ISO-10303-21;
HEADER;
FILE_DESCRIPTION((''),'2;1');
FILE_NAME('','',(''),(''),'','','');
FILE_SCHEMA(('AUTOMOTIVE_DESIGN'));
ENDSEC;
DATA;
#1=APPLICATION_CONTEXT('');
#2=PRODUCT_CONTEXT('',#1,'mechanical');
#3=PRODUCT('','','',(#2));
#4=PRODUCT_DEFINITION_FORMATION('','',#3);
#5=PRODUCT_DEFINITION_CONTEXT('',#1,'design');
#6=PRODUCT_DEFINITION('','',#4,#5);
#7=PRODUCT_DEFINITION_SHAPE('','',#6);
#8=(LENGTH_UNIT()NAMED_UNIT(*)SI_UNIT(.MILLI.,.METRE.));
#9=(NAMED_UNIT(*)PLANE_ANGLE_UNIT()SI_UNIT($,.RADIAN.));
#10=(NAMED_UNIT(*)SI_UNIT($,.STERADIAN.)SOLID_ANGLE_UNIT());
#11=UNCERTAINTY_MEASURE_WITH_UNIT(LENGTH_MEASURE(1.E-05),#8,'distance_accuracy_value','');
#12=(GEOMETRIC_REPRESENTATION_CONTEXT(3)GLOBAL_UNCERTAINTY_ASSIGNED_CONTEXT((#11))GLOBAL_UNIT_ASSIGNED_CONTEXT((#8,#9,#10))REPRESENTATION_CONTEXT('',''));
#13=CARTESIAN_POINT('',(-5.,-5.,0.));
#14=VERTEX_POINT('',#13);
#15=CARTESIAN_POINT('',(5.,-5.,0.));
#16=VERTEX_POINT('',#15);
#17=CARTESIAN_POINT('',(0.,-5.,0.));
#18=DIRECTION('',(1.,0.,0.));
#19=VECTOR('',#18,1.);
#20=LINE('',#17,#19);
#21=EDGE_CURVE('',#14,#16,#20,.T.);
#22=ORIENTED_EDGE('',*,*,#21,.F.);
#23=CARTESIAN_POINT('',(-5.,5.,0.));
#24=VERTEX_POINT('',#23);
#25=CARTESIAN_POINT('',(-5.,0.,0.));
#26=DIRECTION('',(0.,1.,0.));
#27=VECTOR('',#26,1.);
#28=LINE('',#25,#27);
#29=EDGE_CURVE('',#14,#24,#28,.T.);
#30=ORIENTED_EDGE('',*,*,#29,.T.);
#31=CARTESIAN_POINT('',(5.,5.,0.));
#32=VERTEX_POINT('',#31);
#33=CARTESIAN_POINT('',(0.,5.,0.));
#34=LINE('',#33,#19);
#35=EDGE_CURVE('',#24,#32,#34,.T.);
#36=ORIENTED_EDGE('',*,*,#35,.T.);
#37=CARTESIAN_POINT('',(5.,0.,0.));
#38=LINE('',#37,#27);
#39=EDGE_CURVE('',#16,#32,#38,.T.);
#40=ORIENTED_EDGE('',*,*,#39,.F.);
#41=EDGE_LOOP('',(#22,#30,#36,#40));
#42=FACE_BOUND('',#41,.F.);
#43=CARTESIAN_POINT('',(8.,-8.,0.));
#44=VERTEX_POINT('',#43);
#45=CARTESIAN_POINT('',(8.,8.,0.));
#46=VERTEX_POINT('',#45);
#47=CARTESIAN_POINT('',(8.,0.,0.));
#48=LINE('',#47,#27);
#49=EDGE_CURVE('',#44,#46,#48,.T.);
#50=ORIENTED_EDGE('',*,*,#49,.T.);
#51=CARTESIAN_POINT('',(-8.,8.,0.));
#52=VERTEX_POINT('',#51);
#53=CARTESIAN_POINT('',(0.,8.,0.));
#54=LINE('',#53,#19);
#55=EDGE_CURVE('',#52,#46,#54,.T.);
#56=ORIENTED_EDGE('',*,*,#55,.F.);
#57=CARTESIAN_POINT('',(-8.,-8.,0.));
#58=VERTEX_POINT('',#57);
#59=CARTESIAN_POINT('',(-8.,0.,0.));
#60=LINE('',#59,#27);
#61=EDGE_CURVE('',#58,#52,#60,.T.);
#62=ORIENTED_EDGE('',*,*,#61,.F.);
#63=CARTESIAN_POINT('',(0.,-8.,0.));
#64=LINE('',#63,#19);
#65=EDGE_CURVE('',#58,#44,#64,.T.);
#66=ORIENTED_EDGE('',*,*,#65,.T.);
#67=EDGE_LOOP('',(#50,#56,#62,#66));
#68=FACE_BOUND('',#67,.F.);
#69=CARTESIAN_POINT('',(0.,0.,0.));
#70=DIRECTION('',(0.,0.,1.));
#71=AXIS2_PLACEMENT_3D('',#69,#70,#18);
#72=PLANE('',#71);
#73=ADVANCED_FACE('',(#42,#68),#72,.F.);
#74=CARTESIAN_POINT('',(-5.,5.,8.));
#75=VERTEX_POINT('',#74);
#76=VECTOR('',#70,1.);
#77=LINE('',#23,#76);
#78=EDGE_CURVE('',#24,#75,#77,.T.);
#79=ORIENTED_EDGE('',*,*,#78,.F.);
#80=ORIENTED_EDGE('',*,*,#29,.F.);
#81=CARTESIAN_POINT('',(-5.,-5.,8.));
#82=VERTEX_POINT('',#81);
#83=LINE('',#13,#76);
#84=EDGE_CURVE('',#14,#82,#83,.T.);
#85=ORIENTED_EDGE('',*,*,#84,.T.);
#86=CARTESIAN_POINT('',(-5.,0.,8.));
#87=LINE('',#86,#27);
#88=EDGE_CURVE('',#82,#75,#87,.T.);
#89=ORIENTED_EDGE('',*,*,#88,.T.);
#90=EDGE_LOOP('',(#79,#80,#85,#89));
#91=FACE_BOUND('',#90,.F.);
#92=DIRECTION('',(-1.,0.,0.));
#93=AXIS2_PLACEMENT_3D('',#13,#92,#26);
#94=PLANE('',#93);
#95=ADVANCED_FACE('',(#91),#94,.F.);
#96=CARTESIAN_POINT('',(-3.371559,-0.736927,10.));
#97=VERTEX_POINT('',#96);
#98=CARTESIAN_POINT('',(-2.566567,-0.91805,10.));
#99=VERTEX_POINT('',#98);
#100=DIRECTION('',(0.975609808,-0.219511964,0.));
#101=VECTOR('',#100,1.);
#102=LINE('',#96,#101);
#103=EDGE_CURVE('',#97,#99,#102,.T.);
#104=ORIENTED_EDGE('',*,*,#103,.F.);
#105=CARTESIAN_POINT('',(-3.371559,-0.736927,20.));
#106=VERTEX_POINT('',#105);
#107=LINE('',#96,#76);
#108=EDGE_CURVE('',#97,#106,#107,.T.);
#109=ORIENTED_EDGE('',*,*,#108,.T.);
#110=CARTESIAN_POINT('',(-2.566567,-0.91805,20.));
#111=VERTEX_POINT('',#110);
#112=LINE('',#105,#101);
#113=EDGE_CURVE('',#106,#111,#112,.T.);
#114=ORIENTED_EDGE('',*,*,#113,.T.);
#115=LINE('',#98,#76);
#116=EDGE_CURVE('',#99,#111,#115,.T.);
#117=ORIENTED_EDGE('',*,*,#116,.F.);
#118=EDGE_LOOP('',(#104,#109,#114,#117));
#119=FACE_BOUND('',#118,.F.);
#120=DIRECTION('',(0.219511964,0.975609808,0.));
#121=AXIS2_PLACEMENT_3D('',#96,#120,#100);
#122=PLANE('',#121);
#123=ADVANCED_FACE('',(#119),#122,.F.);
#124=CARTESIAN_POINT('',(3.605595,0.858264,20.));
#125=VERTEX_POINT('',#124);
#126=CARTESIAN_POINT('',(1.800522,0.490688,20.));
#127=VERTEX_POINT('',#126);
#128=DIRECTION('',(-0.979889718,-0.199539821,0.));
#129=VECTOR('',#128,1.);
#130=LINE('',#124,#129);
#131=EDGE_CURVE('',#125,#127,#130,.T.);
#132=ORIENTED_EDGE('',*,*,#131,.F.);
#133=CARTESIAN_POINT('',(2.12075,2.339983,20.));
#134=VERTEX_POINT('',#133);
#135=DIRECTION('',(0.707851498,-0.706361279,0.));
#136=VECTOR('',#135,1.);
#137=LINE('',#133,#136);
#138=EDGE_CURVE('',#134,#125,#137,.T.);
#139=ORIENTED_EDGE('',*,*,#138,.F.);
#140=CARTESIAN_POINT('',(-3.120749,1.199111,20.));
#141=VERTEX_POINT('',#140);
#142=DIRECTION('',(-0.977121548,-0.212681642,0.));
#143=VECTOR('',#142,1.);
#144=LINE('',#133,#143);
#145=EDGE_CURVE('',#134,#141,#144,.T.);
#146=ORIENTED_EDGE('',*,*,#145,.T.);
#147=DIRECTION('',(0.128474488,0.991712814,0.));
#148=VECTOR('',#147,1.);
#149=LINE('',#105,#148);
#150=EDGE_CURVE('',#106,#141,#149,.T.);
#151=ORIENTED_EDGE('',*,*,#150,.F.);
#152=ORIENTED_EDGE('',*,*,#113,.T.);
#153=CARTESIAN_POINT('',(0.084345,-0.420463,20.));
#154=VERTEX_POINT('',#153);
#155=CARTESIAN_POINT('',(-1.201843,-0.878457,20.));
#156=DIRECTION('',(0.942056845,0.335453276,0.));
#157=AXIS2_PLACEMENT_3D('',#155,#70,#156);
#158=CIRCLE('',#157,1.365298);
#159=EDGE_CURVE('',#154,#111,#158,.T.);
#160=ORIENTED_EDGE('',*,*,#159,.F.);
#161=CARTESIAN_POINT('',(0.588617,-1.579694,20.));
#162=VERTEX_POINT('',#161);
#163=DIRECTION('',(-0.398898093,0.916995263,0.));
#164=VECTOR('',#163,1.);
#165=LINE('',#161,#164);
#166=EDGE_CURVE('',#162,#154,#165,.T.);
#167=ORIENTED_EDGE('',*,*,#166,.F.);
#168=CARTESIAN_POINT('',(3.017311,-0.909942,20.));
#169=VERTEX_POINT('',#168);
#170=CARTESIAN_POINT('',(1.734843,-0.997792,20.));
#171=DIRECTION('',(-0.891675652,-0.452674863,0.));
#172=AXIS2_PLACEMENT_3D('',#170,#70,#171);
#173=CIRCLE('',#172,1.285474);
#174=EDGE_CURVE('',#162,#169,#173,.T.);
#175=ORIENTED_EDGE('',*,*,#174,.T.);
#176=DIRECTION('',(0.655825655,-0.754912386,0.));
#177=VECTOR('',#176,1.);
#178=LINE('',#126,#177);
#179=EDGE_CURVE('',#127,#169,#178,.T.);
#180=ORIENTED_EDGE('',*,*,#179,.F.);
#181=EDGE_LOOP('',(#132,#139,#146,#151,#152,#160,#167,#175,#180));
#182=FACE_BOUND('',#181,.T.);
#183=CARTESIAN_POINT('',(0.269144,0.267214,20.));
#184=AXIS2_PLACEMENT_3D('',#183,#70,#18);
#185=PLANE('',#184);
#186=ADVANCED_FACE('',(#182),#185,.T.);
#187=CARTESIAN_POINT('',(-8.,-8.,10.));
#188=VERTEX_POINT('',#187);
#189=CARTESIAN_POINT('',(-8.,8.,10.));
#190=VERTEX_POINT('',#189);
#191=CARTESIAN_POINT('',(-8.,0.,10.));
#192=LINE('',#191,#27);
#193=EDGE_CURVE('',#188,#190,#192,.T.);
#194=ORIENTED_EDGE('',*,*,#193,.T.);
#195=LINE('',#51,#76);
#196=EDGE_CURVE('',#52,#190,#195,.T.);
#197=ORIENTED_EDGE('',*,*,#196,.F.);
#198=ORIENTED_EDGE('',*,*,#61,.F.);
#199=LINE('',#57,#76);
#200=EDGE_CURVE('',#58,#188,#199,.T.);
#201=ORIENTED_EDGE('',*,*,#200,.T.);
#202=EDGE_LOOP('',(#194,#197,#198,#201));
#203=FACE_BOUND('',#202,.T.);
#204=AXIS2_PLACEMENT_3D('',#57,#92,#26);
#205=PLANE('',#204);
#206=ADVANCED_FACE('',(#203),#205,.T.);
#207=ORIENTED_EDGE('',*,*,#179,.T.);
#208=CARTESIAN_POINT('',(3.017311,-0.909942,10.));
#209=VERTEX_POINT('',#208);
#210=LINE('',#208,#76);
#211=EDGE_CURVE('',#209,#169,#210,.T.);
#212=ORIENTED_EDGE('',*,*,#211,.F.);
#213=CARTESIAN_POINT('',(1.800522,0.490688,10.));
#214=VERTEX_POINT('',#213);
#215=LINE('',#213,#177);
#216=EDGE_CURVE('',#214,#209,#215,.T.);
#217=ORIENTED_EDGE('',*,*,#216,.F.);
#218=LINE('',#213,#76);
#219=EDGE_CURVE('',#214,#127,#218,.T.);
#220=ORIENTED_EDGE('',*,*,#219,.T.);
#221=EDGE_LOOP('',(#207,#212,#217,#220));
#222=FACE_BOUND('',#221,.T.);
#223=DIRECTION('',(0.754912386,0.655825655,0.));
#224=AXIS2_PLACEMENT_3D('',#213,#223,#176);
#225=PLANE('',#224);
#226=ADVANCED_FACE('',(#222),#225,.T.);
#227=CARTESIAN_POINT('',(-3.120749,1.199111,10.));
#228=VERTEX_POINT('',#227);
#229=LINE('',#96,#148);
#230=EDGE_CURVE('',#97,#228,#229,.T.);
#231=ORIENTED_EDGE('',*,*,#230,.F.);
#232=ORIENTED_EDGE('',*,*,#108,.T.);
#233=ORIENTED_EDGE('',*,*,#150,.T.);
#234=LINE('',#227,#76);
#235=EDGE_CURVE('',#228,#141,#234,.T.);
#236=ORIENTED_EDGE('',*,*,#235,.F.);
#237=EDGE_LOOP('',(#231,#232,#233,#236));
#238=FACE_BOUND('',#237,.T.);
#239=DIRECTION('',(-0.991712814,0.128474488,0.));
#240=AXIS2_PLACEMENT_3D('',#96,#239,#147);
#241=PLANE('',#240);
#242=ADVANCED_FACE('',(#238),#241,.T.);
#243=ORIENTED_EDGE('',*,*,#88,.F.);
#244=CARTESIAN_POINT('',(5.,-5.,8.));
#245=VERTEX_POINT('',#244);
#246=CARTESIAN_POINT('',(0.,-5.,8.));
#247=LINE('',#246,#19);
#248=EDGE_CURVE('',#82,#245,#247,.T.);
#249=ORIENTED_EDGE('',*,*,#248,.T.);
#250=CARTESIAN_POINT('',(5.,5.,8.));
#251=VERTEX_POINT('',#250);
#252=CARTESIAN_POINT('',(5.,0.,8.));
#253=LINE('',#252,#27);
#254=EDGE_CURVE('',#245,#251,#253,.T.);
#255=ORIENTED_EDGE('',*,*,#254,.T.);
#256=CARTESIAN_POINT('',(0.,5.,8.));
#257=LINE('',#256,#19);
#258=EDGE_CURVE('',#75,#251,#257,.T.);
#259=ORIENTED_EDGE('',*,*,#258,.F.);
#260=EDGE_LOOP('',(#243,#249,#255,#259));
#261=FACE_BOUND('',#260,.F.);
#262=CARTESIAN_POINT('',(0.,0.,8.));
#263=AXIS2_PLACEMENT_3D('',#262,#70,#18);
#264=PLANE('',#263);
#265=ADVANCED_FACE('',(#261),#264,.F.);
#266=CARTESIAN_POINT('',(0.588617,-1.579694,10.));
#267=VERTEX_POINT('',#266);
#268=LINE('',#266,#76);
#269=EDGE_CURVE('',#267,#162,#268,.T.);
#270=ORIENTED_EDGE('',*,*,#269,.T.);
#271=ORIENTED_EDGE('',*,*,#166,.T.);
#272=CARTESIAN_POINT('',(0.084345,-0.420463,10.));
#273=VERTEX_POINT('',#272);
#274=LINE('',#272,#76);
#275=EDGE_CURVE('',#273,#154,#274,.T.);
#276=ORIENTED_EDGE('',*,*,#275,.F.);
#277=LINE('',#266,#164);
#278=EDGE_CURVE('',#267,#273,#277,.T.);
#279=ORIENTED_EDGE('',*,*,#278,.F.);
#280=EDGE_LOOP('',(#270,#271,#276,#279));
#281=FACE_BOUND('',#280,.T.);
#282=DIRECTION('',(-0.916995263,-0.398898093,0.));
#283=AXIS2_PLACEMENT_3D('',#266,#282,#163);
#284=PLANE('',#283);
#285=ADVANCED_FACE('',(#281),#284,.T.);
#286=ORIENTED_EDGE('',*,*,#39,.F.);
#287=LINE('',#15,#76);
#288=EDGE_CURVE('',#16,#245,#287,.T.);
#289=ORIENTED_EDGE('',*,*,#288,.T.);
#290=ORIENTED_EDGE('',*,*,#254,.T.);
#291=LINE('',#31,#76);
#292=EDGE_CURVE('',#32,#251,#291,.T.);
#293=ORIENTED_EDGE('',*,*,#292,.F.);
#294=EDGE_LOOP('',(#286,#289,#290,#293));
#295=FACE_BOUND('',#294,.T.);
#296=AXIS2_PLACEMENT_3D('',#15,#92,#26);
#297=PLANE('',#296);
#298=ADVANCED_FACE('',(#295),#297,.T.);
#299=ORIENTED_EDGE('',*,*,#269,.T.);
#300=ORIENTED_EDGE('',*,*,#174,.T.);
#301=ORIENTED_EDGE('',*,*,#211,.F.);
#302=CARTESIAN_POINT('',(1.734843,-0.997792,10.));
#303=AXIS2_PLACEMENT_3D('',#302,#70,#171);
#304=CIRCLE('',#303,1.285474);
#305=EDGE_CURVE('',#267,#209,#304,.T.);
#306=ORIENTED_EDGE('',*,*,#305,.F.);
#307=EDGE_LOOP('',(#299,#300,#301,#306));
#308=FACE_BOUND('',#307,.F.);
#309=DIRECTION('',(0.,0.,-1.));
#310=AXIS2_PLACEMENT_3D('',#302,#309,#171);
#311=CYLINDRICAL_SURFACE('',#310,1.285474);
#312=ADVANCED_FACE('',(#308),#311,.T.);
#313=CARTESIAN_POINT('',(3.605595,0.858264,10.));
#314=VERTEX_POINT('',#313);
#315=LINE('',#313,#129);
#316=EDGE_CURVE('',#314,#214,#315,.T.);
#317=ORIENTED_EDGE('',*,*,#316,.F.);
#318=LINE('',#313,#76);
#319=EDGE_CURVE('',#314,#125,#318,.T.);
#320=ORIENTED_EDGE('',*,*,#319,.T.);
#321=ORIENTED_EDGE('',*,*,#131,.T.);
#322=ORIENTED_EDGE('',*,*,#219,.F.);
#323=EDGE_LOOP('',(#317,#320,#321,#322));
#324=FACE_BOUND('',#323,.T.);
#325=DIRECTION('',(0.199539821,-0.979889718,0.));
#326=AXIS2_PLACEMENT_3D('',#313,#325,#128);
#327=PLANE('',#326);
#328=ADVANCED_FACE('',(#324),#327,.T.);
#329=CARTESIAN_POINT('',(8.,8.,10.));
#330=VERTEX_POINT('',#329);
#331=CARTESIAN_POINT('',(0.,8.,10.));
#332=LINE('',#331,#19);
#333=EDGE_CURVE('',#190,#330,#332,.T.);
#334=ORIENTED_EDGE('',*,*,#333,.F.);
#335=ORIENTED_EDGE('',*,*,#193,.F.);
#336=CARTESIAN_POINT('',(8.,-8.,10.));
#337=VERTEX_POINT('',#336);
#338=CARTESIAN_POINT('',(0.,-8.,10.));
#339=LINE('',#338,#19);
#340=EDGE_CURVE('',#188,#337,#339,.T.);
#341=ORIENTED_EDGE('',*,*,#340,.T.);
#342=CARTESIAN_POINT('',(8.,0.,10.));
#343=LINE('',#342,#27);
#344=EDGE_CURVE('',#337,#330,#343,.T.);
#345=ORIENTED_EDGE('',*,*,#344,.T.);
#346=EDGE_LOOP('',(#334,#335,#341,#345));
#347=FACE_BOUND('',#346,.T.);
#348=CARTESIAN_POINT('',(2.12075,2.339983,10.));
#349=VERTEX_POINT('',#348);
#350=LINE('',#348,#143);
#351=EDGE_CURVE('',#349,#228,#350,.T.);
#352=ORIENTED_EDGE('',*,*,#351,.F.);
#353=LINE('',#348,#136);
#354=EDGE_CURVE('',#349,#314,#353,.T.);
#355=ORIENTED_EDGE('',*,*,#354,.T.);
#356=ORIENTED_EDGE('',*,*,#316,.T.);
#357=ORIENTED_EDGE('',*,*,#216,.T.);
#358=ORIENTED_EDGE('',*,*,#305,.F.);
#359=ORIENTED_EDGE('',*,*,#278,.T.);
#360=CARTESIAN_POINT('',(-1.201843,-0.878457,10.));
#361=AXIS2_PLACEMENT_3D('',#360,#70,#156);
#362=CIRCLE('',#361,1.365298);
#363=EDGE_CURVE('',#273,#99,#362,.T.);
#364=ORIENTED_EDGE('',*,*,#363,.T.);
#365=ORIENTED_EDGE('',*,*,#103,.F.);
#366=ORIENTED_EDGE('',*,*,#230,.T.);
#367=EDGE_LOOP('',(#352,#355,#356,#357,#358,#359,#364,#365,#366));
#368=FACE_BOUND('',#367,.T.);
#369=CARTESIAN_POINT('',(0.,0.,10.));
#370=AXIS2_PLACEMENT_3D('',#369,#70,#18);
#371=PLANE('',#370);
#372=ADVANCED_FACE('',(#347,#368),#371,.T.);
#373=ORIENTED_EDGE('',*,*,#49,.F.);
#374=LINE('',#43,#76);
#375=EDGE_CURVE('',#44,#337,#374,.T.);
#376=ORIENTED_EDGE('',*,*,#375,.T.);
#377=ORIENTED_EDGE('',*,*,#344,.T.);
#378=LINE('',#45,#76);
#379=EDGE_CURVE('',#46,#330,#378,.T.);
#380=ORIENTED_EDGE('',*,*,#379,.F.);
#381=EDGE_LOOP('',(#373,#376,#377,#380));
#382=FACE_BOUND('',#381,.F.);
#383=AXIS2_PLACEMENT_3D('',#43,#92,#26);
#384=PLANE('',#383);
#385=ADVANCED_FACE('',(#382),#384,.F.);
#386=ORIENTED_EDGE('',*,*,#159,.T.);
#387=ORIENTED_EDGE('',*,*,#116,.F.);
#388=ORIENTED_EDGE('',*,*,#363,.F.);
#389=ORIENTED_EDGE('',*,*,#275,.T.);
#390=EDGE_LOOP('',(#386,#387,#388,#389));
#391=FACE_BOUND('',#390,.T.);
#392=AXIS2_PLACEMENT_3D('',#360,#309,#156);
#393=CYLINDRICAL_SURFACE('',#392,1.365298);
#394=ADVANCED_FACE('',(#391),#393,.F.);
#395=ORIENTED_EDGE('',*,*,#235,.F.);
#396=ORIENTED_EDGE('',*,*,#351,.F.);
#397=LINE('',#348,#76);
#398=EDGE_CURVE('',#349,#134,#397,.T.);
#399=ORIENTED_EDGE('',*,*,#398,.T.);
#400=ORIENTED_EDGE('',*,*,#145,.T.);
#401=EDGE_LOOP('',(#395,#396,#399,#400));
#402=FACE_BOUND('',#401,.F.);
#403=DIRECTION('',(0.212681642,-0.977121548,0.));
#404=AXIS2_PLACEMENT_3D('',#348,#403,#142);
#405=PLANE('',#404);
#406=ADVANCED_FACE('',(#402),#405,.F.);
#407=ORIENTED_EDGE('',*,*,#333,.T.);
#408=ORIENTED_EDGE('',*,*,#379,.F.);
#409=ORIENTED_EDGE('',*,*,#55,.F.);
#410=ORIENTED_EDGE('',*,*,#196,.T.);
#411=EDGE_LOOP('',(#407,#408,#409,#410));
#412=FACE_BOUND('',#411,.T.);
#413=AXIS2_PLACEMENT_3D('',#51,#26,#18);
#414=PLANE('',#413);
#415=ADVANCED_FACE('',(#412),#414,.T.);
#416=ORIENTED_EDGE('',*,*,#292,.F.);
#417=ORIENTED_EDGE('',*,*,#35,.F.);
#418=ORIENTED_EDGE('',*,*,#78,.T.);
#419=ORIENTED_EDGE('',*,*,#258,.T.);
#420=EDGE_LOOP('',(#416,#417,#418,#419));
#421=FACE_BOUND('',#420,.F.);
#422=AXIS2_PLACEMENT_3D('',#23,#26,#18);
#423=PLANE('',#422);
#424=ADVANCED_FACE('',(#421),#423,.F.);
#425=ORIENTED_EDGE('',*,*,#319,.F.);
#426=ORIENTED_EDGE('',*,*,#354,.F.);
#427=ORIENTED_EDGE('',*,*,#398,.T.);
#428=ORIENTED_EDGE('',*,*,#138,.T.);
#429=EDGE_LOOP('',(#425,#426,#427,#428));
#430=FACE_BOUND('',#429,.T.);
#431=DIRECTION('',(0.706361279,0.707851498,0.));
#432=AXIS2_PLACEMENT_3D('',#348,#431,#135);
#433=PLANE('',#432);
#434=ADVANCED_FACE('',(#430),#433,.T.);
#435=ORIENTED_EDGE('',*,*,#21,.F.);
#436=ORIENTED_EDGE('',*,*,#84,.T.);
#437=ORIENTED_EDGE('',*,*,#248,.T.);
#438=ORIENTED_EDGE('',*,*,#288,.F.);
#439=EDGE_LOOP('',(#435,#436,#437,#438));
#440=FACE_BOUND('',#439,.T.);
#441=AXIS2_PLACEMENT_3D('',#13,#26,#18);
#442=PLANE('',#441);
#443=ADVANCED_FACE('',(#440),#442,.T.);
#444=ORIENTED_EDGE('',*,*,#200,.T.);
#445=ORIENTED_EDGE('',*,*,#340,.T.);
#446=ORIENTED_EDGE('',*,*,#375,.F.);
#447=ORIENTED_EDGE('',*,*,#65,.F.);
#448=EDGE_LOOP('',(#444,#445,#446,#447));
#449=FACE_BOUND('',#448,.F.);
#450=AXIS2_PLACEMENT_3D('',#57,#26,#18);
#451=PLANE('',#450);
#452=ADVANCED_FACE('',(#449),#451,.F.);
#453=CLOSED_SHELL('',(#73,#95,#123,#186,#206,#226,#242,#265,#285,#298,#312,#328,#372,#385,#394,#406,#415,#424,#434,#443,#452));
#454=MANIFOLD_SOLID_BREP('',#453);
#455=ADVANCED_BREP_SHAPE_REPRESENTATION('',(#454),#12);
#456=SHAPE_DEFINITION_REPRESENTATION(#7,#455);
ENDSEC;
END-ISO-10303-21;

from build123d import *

# Parameters (mm, degrees)
BOX001_W      = 10
BOX001_H      = 10
BOX001_DEPTH  = 8
EXTRUDE_DEPTH = 10
BOX_W         = 16
BOX_H         = 16
BOX_DEPTH     = 10


with BuildPart() as cube001:
    # Box001 → Box001 (new body)
    with BuildSketch(Plane(origin=(-5, -5, 0), x_dir=(1, 0, 0), z_dir=(0, 0, 1))):
        with Locations((5, 5)):
            Rectangle(BOX001_W, BOX001_H)
    extrude(amount=BOX001_DEPTH)


with BuildPart() as extrude_body:
    # Sketch → Extrude (new body)
    with BuildSketch(Plane.XY):
        with BuildLine():
            Line((1.12075, 2.839983), (-4.120749, 1.699111))
            Line((-4.371559, -0.236927), (-4.120749, 1.699111))
            Line((-4.371559, -0.236927), (-3.566567, -0.41805))
            ThreePointArc((-0.915655, 0.079537), (-2.453717, 0.963407), (-3.566567, -0.41805))
            Line((-0.411383, -1.079694), (-0.915655, 0.079537))
            ThreePointArc((-0.411383, -1.079694), (1.076577, -1.73701), (2.017311, -0.409942))
            Line((0.800522, 0.990688), (2.017311, -0.409942))
            Line((2.605595, 1.358264), (0.800522, 0.990688))
            Line((1.12075, 2.839983), (2.605595, 1.358264))
        make_face()
    extrude(amount=EXTRUDE_DEPTH)


with BuildPart() as extrude_body_1:
    # Extrude placement: moved
    add(extrude_body.part.moved(Location((1, -0.5, 10))))


with BuildPart() as cut:
    # Box → Box (new body)
    with BuildSketch(Plane(origin=(-8, -8, 0), x_dir=(1, 0, 0), z_dir=(0, 0, 1))):
        with Locations((8, 8)):
            Rectangle(BOX_W, BOX_H)
    extrude(amount=BOX_DEPTH)

    # Fusion: union Extrude body
    add(extrude_body_1.part)

    # Cut: cut Cube001
    add(cube001.part, mode=Mode.SUBTRACT)


solid = cut.part
